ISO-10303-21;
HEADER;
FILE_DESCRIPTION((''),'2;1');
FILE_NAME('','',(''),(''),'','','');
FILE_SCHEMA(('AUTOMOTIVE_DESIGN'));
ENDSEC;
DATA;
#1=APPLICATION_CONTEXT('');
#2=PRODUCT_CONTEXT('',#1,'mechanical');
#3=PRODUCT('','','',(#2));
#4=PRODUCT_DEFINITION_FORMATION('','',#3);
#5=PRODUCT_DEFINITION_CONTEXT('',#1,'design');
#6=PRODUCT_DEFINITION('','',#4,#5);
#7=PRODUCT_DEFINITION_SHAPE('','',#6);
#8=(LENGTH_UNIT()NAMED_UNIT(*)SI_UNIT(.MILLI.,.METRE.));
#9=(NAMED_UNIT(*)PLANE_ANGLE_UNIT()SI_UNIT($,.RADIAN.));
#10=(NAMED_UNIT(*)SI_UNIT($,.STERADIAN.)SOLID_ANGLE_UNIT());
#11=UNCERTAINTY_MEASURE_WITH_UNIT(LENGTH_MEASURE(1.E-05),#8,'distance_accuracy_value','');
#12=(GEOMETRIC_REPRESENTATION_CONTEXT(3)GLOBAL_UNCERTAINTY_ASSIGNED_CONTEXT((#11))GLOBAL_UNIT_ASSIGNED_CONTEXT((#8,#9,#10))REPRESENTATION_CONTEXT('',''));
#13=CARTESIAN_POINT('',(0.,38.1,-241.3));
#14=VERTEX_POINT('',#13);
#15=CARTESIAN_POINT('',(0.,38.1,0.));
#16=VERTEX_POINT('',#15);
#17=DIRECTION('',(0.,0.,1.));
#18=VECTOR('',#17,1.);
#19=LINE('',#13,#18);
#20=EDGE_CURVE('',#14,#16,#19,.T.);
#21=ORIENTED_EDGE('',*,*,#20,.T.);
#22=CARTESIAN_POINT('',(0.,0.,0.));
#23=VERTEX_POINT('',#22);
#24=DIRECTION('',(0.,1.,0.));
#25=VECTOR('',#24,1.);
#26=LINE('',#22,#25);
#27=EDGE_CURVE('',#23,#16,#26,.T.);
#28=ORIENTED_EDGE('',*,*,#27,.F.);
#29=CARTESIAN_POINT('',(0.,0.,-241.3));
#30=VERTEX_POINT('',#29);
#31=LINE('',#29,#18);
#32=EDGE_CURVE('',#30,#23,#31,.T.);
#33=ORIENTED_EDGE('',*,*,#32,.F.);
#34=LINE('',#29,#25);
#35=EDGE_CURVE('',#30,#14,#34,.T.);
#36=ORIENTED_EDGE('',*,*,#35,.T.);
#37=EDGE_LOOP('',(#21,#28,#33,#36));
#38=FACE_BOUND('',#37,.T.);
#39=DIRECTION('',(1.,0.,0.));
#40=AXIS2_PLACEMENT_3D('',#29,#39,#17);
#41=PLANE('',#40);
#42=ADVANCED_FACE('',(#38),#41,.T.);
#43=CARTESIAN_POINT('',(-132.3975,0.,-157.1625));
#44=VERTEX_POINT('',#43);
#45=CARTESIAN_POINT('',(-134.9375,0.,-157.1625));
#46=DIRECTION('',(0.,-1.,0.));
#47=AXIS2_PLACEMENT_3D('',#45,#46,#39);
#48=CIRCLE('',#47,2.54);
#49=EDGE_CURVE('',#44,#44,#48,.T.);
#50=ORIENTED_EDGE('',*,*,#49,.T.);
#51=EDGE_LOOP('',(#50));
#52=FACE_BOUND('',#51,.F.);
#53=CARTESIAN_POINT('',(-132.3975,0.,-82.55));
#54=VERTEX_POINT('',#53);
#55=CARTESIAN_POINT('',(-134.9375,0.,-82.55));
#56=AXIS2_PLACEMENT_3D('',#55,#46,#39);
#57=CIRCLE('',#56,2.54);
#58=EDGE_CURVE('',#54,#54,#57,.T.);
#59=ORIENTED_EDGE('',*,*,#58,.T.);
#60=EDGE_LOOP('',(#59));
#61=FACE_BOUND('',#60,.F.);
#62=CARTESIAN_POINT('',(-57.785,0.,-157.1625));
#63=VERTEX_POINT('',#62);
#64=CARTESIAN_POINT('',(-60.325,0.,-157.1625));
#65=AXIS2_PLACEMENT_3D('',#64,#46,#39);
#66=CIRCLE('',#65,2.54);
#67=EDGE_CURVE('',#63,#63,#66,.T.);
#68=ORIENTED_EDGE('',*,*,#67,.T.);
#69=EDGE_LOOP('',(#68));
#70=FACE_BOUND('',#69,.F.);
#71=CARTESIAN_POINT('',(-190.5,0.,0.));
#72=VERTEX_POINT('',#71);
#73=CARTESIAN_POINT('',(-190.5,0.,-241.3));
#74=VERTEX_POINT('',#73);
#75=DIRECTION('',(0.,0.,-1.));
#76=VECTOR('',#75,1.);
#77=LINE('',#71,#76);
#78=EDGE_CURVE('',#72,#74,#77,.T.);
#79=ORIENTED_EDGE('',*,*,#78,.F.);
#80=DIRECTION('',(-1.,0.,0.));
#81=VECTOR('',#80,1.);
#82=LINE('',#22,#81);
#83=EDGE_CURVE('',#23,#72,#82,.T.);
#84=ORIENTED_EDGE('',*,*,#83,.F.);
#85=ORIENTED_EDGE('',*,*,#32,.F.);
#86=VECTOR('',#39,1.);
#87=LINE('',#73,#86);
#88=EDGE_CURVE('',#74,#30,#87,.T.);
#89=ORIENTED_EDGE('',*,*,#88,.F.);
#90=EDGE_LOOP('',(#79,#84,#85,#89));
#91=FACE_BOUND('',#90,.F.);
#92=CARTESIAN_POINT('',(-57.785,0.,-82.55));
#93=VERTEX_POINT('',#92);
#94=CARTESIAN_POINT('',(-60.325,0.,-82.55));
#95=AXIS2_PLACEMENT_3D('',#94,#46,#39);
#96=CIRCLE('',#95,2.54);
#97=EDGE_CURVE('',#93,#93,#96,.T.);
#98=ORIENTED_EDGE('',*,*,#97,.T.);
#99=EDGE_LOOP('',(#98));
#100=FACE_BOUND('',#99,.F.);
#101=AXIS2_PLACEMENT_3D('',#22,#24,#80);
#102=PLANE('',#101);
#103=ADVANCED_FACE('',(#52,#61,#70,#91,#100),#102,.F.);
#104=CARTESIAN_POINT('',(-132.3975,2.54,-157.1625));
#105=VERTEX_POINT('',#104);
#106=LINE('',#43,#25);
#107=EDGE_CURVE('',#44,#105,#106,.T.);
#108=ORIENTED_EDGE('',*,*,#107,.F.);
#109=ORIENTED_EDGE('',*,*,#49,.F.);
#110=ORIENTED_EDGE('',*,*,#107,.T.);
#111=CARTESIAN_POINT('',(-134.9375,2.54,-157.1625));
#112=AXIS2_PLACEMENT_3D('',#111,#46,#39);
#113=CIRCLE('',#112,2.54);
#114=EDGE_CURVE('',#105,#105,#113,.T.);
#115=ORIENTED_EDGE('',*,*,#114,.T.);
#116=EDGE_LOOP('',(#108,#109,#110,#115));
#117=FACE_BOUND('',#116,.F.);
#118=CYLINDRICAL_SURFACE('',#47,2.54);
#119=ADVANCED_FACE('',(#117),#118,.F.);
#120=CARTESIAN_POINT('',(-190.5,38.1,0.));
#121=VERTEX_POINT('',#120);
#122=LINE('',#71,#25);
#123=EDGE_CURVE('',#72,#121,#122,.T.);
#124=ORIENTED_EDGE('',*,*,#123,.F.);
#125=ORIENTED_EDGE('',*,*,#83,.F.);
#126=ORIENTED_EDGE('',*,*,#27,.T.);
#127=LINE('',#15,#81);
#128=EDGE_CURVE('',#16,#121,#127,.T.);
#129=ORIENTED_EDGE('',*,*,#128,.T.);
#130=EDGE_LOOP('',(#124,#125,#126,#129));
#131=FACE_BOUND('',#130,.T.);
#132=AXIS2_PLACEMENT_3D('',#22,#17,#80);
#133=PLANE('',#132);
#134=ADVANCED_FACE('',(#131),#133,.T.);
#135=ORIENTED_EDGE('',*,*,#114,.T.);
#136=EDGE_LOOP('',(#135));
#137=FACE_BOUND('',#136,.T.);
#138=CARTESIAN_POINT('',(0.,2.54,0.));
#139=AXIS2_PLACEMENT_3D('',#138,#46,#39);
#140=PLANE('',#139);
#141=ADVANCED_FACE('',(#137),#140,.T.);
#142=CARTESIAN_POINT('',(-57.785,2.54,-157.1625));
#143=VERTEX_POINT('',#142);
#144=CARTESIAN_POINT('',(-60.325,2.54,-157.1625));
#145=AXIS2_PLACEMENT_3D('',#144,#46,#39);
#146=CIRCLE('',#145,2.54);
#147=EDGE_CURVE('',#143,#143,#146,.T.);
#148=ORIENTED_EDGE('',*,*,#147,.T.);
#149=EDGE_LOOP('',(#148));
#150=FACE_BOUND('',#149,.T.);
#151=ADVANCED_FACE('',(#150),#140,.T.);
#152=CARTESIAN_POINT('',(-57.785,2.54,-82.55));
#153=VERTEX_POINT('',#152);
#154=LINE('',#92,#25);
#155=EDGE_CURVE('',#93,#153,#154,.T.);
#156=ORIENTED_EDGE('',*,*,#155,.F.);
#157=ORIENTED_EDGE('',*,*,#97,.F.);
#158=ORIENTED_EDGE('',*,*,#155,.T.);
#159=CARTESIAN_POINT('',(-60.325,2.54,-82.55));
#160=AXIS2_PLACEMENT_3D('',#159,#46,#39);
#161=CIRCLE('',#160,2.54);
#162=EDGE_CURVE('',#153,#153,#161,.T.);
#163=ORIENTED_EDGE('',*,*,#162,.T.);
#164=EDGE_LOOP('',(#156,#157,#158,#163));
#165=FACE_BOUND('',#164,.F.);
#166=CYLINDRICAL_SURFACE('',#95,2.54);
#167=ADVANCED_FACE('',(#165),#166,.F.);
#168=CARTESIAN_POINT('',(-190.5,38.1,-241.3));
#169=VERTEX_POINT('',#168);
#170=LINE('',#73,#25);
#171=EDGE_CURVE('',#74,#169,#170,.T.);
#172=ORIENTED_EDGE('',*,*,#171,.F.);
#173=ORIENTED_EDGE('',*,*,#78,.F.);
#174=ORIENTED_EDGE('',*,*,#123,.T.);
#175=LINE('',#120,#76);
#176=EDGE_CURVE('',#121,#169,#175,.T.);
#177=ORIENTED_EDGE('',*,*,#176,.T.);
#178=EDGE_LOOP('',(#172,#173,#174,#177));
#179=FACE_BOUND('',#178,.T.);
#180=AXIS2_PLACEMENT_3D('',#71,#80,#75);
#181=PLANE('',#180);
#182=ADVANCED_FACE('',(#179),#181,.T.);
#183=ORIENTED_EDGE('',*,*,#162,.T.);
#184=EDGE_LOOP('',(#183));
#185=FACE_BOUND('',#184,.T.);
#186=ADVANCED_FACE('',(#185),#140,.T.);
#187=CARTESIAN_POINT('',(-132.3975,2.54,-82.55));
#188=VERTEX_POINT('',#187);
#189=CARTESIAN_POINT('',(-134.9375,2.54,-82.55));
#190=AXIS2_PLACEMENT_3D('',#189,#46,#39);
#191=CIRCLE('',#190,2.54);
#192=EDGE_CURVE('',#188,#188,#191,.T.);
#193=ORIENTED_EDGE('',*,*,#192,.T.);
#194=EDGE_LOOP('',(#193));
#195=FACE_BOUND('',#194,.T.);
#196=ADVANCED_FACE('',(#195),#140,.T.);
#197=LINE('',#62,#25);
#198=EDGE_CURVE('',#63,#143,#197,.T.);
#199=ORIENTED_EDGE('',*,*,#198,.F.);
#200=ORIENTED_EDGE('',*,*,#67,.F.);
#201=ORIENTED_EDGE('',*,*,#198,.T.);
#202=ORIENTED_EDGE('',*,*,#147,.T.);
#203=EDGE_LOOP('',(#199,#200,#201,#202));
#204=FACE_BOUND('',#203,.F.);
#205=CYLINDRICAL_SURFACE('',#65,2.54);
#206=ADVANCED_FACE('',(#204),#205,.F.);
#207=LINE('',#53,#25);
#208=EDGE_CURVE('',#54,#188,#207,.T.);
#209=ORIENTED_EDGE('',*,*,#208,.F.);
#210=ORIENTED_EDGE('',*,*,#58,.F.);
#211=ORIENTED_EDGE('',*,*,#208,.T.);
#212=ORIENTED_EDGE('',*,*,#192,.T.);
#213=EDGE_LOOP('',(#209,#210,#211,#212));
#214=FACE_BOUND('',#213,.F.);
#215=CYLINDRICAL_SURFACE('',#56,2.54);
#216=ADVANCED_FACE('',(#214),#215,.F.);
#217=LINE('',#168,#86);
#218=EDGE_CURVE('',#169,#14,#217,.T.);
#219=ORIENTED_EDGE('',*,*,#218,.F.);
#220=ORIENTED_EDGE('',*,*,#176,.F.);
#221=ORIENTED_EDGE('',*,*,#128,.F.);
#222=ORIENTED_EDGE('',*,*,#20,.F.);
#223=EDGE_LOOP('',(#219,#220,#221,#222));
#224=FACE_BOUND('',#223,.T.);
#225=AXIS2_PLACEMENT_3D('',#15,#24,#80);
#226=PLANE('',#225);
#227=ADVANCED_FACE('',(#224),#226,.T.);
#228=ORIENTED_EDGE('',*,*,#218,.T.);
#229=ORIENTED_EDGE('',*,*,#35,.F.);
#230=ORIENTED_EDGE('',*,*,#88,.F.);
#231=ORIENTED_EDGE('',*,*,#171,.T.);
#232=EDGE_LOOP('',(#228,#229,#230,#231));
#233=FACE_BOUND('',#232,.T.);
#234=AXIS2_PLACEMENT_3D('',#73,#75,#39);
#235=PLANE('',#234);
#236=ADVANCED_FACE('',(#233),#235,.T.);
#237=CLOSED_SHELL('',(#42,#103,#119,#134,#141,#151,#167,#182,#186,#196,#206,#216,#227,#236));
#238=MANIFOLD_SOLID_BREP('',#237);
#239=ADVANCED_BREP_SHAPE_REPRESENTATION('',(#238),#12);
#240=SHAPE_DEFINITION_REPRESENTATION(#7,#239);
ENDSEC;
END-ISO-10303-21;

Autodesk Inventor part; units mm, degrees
ref_plane "YZ Plane" through (0, 0, 0) normal (1, 0, 0) x (0, 1, 0)
ref_plane "XZ Plane" through (0, 0, 0) normal (0, 1, 0) x (-1, 0, 0)
ref_plane "XY Plane" through (0, 0, 0) normal (0, 0, 1) x (1, 0, 0)
sketch "Sketch1" plane through (0, 0, 0) normal (0, 1, 0) x (-1, 0, 0)
  line L0 (0, 0) -> (190.5, 0)
  line L1 (190.5, 0) -> (190.5, -241.3)
  line L2 (190.5, -241.3) -> (0, -241.3)
  line L3 (0, -241.3) -> (0, 0)
  dimension "d0" = 190.5
  dimension "d1" = 241.3
extrude "Extrusion1" add sketch "Sketch1" along normal blind 38.1
sketch "Sketch2" plane through (0, 0, 0) normal (0, -1, 0) x (1, 0, 0)
  circle A0 centre (-134.9375, -157.1625) radius 2.54
  line L0 (-190.5, 0) -> (-190.5, -241.3) projected
  line L1 (0, -241.3) -> (-190.5, -241.3) projected
  circle A1 centre (-60.325, -157.1625) radius 2.54
  circle A2 centre (-134.9375, -82.55) radius 2.54
  circle A3 centre (-60.325, -82.55) radius 2.54
  point P0 (0, 0)
  dimension "d4" = 5.08
  dimension "d5" = 55.5625
  dimension "d6" = 84.1375
  dimension "d7" = 5.08
  dimension "d8" = 5.08
  dimension "d9" = 74.6125
  dimension "d10" = 74.6125
  dimension "d11" = 5.08
  dimension "d12" = 74.6125
  dimension "d13" = 74.6125
extrude "Extrusion2" cut sketch "Sketch2" against normal blind 2.54
properties part number "screen"
